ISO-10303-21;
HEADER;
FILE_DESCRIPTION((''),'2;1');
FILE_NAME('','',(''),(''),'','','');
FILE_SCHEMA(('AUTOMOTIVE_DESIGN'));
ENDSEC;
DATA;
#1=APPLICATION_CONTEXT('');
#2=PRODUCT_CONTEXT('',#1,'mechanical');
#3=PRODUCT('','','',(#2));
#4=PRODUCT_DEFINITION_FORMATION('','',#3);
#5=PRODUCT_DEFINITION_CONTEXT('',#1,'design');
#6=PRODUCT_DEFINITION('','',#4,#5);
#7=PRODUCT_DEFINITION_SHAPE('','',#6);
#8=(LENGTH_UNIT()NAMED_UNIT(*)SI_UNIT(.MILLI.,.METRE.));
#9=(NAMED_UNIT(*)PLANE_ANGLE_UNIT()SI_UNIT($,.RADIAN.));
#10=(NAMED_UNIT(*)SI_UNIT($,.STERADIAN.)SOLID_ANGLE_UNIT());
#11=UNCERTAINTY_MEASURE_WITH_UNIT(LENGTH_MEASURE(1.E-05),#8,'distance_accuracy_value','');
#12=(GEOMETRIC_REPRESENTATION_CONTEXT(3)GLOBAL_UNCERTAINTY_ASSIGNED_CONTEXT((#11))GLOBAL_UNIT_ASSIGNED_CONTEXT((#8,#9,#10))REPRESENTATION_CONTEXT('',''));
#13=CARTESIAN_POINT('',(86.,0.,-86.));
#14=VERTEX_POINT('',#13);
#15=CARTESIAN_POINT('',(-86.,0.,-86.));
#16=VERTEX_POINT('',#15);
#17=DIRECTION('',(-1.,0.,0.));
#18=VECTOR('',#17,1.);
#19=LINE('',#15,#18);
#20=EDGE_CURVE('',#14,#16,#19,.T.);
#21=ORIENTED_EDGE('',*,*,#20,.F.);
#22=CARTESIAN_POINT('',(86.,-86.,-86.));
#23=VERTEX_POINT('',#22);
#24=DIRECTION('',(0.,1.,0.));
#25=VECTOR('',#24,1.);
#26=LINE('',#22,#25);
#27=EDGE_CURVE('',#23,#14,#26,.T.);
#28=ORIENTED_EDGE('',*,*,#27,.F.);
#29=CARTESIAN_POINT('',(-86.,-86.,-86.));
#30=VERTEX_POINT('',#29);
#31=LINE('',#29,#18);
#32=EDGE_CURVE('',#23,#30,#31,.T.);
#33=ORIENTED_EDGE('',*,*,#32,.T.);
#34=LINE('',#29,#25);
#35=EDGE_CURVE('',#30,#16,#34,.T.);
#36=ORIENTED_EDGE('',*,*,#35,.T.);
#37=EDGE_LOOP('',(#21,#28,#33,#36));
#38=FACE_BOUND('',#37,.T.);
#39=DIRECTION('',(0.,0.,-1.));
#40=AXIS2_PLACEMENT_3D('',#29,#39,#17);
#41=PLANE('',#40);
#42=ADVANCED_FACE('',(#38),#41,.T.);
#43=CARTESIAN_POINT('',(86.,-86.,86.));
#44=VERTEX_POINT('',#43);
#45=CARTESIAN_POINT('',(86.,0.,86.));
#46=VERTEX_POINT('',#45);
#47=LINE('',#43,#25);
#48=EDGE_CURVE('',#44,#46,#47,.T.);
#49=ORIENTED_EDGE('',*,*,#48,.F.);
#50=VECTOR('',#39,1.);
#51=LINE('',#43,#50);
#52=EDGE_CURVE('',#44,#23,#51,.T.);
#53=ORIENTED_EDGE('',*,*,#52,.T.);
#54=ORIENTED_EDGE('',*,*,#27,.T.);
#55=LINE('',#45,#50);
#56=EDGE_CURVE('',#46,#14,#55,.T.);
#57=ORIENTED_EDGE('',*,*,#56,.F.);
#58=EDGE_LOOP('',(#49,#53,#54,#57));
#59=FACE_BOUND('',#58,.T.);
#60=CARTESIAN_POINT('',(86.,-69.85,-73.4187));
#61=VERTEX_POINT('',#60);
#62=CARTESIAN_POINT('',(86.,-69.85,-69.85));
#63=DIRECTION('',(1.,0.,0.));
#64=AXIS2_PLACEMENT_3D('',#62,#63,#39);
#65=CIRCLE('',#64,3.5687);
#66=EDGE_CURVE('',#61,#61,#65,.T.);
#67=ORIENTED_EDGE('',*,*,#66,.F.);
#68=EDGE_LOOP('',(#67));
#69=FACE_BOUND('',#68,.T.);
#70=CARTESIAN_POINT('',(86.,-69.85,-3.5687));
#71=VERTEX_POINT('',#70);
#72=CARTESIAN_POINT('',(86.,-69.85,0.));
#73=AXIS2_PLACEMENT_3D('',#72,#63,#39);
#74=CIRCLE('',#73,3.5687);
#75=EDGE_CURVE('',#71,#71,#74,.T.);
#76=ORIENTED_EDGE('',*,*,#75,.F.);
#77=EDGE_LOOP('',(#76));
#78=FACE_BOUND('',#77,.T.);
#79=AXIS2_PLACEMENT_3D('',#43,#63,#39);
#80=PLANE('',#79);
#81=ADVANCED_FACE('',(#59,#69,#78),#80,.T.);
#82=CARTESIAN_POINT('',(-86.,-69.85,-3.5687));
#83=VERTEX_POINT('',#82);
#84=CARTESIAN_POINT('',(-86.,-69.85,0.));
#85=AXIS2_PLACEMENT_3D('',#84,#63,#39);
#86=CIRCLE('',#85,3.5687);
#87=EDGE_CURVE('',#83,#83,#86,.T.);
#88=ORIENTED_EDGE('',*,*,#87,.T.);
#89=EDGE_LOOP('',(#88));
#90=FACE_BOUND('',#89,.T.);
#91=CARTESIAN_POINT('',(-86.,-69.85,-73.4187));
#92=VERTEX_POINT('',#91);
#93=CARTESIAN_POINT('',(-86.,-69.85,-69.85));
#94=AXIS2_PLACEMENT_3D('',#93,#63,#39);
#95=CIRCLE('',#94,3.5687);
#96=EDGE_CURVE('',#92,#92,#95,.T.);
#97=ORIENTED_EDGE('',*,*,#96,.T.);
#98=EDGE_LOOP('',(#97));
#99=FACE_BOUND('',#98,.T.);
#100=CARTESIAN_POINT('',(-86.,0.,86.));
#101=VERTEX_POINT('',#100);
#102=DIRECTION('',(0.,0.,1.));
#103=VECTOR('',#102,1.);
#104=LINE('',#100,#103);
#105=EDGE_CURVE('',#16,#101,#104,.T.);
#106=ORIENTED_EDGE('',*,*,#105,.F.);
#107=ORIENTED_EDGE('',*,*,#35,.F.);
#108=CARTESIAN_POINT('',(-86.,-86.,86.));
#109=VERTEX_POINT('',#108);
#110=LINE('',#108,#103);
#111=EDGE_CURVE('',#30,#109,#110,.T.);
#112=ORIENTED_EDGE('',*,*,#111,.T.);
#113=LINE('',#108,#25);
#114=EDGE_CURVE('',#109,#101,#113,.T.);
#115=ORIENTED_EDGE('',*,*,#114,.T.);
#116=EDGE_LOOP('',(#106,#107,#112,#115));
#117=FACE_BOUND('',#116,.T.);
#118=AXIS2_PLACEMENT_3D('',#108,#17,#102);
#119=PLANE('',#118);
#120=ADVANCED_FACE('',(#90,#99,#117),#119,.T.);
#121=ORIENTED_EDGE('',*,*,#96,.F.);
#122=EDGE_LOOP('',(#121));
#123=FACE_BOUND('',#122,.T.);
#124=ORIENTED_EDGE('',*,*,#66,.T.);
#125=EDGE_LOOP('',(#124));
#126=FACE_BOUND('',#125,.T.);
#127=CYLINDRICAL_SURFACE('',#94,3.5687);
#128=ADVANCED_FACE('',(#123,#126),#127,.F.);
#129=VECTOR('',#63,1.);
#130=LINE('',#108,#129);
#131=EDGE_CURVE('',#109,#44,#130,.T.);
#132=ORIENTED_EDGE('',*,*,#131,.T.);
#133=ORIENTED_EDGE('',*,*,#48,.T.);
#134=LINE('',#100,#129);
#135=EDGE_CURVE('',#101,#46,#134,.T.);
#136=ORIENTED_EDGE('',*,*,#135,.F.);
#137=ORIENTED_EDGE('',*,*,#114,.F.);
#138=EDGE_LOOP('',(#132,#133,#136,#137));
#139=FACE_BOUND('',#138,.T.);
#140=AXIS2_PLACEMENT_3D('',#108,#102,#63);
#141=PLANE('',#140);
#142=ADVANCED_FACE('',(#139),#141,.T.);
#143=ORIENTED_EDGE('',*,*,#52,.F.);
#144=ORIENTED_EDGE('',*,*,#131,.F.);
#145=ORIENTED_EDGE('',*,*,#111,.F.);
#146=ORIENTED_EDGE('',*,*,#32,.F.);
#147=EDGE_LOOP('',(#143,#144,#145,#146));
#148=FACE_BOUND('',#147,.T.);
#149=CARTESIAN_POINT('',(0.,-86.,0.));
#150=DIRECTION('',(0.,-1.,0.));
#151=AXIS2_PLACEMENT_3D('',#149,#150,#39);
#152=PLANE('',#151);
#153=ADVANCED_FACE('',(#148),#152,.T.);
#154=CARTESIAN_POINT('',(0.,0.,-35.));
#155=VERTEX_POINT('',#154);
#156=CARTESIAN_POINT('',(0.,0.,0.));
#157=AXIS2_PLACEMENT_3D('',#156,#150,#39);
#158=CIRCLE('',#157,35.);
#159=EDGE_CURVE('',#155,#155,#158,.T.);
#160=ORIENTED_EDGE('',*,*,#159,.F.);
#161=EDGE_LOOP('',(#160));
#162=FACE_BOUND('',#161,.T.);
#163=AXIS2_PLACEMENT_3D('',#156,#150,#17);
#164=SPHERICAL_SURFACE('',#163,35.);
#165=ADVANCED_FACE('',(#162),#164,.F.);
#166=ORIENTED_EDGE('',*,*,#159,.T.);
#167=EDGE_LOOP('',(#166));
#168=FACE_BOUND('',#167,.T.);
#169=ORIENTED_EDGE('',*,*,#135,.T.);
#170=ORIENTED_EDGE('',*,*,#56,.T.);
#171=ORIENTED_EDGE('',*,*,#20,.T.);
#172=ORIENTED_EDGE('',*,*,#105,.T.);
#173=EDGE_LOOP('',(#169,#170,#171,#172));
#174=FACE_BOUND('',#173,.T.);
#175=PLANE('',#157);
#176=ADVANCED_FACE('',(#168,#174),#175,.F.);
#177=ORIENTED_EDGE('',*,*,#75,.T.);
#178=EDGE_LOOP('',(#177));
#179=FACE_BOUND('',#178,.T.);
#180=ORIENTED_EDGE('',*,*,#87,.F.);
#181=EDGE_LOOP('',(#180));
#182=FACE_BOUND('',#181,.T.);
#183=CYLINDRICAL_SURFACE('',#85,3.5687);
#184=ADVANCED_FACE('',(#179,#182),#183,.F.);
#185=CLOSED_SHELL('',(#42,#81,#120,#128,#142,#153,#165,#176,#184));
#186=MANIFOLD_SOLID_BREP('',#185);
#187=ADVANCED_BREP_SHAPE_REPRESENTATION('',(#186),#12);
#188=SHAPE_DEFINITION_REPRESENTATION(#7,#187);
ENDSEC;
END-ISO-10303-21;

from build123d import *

# Parameters (mm, degrees)
SKETCH1_W               = 172
SKETCH1_H               = 172
BOSS_EXTRUDE1_DEPTH     = 86
SKETCH3_R               = 3.5687
CUT_EXTRUDE1_DEPTH      = 87
CUT_EXTRUDE1_DEPTH_BACK = 87


with BuildPart() as part:
    # Sketch1 → Boss-Extrude1 (new body)
    with BuildSketch(Plane(origin=(0, 0, 0), x_dir=(1, 0, 0), z_dir=(0, 1, 0))):
        Rectangle(SKETCH1_W, SKETCH1_H)
    extrude(amount=-BOSS_EXTRUDE1_DEPTH)

    # Sketch2 → Cut-Revolve1 (revolve, cut)
    with BuildSketch(Plane.XY):
        with BuildLine():
            Line((0, -35), (0, 0))
            Line((0, 0), (35, 0))
            ThreePointArc((35, 0), (24.748737342, -24.748737342), (0, -35))
        make_face()
    revolve(axis=Axis((0, -35, 0), (0, 1, 0)), mode=Mode.SUBTRACT)

    # Sketch3 → Cut-Extrude1 (cut, two sides)
    with BuildSketch(Plane(origin=(0, 0, 0), x_dir=(0, 0, -1), z_dir=(1, 0, 0))) as cut_extrude1_sk:
        with Locations((0, -69.85)):
            Circle(SKETCH3_R)
        with Locations((69.85, -69.85)):
            Circle(SKETCH3_R)
    extrude(amount=CUT_EXTRUDE1_DEPTH, mode=Mode.SUBTRACT)
    extrude(cut_extrude1_sk.sketch, amount=-CUT_EXTRUDE1_DEPTH_BACK, mode=Mode.SUBTRACT)


solid = part.part
